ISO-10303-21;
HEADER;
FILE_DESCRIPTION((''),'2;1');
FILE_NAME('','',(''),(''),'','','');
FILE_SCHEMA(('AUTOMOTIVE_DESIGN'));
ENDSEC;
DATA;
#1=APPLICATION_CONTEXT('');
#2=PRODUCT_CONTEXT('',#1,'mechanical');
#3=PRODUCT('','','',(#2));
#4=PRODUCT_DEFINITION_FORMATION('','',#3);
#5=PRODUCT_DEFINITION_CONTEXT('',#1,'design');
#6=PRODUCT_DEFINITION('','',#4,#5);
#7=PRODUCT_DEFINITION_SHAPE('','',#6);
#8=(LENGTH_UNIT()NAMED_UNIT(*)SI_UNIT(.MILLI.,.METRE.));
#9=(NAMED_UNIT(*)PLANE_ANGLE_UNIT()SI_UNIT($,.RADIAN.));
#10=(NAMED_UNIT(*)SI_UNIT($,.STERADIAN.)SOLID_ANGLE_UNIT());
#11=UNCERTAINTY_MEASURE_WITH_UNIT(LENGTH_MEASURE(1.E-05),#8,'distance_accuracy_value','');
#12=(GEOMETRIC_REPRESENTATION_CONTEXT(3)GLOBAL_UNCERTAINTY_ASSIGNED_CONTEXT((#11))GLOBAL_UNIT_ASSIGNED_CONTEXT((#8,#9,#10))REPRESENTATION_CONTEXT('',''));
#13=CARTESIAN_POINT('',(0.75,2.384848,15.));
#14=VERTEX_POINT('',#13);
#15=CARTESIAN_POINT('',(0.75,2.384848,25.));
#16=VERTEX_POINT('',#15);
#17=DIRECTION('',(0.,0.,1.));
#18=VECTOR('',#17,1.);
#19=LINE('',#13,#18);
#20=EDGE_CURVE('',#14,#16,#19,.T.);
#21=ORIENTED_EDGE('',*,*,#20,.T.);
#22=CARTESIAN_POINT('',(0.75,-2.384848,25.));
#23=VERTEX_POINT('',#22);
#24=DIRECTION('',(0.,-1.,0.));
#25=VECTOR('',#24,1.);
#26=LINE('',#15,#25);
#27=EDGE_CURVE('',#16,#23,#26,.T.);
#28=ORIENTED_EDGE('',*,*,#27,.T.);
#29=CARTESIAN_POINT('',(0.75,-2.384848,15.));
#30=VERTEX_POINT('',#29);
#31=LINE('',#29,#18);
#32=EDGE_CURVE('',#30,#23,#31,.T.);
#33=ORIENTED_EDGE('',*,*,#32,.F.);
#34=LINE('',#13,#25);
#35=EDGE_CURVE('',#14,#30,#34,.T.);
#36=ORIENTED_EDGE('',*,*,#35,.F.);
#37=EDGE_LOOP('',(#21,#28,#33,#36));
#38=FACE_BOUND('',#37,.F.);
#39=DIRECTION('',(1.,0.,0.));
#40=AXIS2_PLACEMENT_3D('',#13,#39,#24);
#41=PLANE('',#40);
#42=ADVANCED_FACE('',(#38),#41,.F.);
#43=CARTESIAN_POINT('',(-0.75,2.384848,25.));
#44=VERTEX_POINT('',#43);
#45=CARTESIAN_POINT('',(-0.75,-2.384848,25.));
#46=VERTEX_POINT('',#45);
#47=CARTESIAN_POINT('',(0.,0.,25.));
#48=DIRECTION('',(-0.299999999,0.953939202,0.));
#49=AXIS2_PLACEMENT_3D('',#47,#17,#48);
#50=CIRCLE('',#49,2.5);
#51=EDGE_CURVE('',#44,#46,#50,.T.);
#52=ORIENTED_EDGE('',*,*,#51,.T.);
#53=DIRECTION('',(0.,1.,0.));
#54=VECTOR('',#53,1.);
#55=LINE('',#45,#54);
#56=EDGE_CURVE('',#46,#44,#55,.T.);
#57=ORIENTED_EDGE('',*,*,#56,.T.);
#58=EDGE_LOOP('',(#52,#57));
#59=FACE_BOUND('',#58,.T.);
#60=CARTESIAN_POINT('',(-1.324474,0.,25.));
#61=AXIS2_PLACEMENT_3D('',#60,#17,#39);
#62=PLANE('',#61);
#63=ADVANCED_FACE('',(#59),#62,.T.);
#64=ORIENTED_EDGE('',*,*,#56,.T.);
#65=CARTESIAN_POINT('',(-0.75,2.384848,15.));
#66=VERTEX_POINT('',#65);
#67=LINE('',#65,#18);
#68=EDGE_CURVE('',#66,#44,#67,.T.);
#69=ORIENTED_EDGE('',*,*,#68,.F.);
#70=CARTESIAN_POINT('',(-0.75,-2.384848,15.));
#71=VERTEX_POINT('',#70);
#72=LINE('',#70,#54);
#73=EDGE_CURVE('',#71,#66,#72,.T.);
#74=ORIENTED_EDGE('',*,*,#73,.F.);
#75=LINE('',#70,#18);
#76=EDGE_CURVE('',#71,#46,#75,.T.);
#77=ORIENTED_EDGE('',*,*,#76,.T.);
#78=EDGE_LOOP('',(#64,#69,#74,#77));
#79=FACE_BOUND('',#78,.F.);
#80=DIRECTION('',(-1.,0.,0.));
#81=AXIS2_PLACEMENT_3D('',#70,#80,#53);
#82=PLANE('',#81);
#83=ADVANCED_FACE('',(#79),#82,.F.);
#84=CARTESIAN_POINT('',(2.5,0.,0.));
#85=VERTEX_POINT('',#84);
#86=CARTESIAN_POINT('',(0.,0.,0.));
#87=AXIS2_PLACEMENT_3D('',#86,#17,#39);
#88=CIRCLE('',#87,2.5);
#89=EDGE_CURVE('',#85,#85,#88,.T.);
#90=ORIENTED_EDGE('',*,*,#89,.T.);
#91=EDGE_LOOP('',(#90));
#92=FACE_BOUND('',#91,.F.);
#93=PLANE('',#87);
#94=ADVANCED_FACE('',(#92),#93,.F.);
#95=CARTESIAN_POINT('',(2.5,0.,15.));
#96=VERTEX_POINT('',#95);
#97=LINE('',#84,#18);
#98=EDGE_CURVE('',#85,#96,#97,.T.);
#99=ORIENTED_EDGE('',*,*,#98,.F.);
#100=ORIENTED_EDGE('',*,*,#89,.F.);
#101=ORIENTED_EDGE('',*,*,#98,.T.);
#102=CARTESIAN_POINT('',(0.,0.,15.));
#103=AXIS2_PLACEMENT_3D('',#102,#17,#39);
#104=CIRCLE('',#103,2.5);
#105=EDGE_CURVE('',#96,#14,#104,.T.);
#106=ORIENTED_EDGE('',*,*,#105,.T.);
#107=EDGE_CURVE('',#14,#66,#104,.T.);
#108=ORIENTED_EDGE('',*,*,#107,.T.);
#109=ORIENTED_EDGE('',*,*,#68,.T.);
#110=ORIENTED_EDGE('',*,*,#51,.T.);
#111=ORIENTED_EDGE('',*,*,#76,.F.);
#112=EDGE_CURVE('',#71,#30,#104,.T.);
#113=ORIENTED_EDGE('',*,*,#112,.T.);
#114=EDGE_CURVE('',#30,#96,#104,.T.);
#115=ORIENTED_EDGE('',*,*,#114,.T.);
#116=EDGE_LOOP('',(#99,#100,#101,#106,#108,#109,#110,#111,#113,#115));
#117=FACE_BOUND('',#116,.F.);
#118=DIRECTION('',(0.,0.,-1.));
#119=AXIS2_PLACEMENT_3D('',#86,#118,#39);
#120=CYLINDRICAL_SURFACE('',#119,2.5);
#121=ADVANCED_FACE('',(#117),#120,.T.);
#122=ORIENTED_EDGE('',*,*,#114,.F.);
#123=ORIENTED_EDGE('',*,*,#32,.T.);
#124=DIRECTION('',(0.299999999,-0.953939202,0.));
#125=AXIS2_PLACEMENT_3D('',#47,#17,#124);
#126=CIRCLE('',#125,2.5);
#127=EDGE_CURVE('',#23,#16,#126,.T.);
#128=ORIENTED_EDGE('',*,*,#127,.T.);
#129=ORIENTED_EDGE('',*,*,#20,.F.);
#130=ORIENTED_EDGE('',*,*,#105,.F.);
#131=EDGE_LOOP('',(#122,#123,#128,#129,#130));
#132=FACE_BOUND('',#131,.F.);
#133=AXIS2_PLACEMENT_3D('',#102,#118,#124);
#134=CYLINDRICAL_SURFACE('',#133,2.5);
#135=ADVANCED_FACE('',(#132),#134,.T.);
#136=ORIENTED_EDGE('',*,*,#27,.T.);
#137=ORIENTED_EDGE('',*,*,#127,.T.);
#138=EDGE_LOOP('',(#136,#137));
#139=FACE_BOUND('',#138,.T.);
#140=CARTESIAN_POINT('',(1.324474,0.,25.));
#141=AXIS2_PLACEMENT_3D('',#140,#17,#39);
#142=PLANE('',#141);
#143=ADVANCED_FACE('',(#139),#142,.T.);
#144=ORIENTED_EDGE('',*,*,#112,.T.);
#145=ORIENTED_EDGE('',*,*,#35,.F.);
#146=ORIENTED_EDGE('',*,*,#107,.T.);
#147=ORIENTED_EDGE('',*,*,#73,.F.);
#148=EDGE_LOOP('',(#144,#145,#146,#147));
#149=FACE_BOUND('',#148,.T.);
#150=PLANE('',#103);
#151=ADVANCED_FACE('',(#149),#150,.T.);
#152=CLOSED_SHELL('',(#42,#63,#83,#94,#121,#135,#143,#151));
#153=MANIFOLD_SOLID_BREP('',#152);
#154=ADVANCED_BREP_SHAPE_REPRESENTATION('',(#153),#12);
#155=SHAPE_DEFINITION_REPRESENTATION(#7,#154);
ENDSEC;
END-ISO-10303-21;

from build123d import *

# Parameters (mm, degrees)
SKETCH_R     = 2.5
PAD_DEPTH    = 15
PAD001_DEPTH = 10


with BuildPart() as part:
    # Sketch → Pad (new body)
    with BuildSketch(Plane.XY):
        Circle(SKETCH_R)
    extrude(amount=PAD_DEPTH)

    # Sketch001 (on Face3 of Pad) → Pad001 (join)
    with BuildSketch(Plane.XY.offset(15)):
        with BuildLine():
            ThreePointArc((-0.75, 2.384848), (-2.5, 0), (-0.75, -2.384848))
            Line((-0.75, -2.384848), (-0.75, 2.384848))
        make_face()
        with BuildLine():
            Line((0.75, 2.384848), (0.75, -2.384848))
            ThreePointArc((0.75, -2.384848), (2.5, 0), (0.75, 2.384848))
        make_face()
    extrude(amount=PAD001_DEPTH)


solid = part.part
